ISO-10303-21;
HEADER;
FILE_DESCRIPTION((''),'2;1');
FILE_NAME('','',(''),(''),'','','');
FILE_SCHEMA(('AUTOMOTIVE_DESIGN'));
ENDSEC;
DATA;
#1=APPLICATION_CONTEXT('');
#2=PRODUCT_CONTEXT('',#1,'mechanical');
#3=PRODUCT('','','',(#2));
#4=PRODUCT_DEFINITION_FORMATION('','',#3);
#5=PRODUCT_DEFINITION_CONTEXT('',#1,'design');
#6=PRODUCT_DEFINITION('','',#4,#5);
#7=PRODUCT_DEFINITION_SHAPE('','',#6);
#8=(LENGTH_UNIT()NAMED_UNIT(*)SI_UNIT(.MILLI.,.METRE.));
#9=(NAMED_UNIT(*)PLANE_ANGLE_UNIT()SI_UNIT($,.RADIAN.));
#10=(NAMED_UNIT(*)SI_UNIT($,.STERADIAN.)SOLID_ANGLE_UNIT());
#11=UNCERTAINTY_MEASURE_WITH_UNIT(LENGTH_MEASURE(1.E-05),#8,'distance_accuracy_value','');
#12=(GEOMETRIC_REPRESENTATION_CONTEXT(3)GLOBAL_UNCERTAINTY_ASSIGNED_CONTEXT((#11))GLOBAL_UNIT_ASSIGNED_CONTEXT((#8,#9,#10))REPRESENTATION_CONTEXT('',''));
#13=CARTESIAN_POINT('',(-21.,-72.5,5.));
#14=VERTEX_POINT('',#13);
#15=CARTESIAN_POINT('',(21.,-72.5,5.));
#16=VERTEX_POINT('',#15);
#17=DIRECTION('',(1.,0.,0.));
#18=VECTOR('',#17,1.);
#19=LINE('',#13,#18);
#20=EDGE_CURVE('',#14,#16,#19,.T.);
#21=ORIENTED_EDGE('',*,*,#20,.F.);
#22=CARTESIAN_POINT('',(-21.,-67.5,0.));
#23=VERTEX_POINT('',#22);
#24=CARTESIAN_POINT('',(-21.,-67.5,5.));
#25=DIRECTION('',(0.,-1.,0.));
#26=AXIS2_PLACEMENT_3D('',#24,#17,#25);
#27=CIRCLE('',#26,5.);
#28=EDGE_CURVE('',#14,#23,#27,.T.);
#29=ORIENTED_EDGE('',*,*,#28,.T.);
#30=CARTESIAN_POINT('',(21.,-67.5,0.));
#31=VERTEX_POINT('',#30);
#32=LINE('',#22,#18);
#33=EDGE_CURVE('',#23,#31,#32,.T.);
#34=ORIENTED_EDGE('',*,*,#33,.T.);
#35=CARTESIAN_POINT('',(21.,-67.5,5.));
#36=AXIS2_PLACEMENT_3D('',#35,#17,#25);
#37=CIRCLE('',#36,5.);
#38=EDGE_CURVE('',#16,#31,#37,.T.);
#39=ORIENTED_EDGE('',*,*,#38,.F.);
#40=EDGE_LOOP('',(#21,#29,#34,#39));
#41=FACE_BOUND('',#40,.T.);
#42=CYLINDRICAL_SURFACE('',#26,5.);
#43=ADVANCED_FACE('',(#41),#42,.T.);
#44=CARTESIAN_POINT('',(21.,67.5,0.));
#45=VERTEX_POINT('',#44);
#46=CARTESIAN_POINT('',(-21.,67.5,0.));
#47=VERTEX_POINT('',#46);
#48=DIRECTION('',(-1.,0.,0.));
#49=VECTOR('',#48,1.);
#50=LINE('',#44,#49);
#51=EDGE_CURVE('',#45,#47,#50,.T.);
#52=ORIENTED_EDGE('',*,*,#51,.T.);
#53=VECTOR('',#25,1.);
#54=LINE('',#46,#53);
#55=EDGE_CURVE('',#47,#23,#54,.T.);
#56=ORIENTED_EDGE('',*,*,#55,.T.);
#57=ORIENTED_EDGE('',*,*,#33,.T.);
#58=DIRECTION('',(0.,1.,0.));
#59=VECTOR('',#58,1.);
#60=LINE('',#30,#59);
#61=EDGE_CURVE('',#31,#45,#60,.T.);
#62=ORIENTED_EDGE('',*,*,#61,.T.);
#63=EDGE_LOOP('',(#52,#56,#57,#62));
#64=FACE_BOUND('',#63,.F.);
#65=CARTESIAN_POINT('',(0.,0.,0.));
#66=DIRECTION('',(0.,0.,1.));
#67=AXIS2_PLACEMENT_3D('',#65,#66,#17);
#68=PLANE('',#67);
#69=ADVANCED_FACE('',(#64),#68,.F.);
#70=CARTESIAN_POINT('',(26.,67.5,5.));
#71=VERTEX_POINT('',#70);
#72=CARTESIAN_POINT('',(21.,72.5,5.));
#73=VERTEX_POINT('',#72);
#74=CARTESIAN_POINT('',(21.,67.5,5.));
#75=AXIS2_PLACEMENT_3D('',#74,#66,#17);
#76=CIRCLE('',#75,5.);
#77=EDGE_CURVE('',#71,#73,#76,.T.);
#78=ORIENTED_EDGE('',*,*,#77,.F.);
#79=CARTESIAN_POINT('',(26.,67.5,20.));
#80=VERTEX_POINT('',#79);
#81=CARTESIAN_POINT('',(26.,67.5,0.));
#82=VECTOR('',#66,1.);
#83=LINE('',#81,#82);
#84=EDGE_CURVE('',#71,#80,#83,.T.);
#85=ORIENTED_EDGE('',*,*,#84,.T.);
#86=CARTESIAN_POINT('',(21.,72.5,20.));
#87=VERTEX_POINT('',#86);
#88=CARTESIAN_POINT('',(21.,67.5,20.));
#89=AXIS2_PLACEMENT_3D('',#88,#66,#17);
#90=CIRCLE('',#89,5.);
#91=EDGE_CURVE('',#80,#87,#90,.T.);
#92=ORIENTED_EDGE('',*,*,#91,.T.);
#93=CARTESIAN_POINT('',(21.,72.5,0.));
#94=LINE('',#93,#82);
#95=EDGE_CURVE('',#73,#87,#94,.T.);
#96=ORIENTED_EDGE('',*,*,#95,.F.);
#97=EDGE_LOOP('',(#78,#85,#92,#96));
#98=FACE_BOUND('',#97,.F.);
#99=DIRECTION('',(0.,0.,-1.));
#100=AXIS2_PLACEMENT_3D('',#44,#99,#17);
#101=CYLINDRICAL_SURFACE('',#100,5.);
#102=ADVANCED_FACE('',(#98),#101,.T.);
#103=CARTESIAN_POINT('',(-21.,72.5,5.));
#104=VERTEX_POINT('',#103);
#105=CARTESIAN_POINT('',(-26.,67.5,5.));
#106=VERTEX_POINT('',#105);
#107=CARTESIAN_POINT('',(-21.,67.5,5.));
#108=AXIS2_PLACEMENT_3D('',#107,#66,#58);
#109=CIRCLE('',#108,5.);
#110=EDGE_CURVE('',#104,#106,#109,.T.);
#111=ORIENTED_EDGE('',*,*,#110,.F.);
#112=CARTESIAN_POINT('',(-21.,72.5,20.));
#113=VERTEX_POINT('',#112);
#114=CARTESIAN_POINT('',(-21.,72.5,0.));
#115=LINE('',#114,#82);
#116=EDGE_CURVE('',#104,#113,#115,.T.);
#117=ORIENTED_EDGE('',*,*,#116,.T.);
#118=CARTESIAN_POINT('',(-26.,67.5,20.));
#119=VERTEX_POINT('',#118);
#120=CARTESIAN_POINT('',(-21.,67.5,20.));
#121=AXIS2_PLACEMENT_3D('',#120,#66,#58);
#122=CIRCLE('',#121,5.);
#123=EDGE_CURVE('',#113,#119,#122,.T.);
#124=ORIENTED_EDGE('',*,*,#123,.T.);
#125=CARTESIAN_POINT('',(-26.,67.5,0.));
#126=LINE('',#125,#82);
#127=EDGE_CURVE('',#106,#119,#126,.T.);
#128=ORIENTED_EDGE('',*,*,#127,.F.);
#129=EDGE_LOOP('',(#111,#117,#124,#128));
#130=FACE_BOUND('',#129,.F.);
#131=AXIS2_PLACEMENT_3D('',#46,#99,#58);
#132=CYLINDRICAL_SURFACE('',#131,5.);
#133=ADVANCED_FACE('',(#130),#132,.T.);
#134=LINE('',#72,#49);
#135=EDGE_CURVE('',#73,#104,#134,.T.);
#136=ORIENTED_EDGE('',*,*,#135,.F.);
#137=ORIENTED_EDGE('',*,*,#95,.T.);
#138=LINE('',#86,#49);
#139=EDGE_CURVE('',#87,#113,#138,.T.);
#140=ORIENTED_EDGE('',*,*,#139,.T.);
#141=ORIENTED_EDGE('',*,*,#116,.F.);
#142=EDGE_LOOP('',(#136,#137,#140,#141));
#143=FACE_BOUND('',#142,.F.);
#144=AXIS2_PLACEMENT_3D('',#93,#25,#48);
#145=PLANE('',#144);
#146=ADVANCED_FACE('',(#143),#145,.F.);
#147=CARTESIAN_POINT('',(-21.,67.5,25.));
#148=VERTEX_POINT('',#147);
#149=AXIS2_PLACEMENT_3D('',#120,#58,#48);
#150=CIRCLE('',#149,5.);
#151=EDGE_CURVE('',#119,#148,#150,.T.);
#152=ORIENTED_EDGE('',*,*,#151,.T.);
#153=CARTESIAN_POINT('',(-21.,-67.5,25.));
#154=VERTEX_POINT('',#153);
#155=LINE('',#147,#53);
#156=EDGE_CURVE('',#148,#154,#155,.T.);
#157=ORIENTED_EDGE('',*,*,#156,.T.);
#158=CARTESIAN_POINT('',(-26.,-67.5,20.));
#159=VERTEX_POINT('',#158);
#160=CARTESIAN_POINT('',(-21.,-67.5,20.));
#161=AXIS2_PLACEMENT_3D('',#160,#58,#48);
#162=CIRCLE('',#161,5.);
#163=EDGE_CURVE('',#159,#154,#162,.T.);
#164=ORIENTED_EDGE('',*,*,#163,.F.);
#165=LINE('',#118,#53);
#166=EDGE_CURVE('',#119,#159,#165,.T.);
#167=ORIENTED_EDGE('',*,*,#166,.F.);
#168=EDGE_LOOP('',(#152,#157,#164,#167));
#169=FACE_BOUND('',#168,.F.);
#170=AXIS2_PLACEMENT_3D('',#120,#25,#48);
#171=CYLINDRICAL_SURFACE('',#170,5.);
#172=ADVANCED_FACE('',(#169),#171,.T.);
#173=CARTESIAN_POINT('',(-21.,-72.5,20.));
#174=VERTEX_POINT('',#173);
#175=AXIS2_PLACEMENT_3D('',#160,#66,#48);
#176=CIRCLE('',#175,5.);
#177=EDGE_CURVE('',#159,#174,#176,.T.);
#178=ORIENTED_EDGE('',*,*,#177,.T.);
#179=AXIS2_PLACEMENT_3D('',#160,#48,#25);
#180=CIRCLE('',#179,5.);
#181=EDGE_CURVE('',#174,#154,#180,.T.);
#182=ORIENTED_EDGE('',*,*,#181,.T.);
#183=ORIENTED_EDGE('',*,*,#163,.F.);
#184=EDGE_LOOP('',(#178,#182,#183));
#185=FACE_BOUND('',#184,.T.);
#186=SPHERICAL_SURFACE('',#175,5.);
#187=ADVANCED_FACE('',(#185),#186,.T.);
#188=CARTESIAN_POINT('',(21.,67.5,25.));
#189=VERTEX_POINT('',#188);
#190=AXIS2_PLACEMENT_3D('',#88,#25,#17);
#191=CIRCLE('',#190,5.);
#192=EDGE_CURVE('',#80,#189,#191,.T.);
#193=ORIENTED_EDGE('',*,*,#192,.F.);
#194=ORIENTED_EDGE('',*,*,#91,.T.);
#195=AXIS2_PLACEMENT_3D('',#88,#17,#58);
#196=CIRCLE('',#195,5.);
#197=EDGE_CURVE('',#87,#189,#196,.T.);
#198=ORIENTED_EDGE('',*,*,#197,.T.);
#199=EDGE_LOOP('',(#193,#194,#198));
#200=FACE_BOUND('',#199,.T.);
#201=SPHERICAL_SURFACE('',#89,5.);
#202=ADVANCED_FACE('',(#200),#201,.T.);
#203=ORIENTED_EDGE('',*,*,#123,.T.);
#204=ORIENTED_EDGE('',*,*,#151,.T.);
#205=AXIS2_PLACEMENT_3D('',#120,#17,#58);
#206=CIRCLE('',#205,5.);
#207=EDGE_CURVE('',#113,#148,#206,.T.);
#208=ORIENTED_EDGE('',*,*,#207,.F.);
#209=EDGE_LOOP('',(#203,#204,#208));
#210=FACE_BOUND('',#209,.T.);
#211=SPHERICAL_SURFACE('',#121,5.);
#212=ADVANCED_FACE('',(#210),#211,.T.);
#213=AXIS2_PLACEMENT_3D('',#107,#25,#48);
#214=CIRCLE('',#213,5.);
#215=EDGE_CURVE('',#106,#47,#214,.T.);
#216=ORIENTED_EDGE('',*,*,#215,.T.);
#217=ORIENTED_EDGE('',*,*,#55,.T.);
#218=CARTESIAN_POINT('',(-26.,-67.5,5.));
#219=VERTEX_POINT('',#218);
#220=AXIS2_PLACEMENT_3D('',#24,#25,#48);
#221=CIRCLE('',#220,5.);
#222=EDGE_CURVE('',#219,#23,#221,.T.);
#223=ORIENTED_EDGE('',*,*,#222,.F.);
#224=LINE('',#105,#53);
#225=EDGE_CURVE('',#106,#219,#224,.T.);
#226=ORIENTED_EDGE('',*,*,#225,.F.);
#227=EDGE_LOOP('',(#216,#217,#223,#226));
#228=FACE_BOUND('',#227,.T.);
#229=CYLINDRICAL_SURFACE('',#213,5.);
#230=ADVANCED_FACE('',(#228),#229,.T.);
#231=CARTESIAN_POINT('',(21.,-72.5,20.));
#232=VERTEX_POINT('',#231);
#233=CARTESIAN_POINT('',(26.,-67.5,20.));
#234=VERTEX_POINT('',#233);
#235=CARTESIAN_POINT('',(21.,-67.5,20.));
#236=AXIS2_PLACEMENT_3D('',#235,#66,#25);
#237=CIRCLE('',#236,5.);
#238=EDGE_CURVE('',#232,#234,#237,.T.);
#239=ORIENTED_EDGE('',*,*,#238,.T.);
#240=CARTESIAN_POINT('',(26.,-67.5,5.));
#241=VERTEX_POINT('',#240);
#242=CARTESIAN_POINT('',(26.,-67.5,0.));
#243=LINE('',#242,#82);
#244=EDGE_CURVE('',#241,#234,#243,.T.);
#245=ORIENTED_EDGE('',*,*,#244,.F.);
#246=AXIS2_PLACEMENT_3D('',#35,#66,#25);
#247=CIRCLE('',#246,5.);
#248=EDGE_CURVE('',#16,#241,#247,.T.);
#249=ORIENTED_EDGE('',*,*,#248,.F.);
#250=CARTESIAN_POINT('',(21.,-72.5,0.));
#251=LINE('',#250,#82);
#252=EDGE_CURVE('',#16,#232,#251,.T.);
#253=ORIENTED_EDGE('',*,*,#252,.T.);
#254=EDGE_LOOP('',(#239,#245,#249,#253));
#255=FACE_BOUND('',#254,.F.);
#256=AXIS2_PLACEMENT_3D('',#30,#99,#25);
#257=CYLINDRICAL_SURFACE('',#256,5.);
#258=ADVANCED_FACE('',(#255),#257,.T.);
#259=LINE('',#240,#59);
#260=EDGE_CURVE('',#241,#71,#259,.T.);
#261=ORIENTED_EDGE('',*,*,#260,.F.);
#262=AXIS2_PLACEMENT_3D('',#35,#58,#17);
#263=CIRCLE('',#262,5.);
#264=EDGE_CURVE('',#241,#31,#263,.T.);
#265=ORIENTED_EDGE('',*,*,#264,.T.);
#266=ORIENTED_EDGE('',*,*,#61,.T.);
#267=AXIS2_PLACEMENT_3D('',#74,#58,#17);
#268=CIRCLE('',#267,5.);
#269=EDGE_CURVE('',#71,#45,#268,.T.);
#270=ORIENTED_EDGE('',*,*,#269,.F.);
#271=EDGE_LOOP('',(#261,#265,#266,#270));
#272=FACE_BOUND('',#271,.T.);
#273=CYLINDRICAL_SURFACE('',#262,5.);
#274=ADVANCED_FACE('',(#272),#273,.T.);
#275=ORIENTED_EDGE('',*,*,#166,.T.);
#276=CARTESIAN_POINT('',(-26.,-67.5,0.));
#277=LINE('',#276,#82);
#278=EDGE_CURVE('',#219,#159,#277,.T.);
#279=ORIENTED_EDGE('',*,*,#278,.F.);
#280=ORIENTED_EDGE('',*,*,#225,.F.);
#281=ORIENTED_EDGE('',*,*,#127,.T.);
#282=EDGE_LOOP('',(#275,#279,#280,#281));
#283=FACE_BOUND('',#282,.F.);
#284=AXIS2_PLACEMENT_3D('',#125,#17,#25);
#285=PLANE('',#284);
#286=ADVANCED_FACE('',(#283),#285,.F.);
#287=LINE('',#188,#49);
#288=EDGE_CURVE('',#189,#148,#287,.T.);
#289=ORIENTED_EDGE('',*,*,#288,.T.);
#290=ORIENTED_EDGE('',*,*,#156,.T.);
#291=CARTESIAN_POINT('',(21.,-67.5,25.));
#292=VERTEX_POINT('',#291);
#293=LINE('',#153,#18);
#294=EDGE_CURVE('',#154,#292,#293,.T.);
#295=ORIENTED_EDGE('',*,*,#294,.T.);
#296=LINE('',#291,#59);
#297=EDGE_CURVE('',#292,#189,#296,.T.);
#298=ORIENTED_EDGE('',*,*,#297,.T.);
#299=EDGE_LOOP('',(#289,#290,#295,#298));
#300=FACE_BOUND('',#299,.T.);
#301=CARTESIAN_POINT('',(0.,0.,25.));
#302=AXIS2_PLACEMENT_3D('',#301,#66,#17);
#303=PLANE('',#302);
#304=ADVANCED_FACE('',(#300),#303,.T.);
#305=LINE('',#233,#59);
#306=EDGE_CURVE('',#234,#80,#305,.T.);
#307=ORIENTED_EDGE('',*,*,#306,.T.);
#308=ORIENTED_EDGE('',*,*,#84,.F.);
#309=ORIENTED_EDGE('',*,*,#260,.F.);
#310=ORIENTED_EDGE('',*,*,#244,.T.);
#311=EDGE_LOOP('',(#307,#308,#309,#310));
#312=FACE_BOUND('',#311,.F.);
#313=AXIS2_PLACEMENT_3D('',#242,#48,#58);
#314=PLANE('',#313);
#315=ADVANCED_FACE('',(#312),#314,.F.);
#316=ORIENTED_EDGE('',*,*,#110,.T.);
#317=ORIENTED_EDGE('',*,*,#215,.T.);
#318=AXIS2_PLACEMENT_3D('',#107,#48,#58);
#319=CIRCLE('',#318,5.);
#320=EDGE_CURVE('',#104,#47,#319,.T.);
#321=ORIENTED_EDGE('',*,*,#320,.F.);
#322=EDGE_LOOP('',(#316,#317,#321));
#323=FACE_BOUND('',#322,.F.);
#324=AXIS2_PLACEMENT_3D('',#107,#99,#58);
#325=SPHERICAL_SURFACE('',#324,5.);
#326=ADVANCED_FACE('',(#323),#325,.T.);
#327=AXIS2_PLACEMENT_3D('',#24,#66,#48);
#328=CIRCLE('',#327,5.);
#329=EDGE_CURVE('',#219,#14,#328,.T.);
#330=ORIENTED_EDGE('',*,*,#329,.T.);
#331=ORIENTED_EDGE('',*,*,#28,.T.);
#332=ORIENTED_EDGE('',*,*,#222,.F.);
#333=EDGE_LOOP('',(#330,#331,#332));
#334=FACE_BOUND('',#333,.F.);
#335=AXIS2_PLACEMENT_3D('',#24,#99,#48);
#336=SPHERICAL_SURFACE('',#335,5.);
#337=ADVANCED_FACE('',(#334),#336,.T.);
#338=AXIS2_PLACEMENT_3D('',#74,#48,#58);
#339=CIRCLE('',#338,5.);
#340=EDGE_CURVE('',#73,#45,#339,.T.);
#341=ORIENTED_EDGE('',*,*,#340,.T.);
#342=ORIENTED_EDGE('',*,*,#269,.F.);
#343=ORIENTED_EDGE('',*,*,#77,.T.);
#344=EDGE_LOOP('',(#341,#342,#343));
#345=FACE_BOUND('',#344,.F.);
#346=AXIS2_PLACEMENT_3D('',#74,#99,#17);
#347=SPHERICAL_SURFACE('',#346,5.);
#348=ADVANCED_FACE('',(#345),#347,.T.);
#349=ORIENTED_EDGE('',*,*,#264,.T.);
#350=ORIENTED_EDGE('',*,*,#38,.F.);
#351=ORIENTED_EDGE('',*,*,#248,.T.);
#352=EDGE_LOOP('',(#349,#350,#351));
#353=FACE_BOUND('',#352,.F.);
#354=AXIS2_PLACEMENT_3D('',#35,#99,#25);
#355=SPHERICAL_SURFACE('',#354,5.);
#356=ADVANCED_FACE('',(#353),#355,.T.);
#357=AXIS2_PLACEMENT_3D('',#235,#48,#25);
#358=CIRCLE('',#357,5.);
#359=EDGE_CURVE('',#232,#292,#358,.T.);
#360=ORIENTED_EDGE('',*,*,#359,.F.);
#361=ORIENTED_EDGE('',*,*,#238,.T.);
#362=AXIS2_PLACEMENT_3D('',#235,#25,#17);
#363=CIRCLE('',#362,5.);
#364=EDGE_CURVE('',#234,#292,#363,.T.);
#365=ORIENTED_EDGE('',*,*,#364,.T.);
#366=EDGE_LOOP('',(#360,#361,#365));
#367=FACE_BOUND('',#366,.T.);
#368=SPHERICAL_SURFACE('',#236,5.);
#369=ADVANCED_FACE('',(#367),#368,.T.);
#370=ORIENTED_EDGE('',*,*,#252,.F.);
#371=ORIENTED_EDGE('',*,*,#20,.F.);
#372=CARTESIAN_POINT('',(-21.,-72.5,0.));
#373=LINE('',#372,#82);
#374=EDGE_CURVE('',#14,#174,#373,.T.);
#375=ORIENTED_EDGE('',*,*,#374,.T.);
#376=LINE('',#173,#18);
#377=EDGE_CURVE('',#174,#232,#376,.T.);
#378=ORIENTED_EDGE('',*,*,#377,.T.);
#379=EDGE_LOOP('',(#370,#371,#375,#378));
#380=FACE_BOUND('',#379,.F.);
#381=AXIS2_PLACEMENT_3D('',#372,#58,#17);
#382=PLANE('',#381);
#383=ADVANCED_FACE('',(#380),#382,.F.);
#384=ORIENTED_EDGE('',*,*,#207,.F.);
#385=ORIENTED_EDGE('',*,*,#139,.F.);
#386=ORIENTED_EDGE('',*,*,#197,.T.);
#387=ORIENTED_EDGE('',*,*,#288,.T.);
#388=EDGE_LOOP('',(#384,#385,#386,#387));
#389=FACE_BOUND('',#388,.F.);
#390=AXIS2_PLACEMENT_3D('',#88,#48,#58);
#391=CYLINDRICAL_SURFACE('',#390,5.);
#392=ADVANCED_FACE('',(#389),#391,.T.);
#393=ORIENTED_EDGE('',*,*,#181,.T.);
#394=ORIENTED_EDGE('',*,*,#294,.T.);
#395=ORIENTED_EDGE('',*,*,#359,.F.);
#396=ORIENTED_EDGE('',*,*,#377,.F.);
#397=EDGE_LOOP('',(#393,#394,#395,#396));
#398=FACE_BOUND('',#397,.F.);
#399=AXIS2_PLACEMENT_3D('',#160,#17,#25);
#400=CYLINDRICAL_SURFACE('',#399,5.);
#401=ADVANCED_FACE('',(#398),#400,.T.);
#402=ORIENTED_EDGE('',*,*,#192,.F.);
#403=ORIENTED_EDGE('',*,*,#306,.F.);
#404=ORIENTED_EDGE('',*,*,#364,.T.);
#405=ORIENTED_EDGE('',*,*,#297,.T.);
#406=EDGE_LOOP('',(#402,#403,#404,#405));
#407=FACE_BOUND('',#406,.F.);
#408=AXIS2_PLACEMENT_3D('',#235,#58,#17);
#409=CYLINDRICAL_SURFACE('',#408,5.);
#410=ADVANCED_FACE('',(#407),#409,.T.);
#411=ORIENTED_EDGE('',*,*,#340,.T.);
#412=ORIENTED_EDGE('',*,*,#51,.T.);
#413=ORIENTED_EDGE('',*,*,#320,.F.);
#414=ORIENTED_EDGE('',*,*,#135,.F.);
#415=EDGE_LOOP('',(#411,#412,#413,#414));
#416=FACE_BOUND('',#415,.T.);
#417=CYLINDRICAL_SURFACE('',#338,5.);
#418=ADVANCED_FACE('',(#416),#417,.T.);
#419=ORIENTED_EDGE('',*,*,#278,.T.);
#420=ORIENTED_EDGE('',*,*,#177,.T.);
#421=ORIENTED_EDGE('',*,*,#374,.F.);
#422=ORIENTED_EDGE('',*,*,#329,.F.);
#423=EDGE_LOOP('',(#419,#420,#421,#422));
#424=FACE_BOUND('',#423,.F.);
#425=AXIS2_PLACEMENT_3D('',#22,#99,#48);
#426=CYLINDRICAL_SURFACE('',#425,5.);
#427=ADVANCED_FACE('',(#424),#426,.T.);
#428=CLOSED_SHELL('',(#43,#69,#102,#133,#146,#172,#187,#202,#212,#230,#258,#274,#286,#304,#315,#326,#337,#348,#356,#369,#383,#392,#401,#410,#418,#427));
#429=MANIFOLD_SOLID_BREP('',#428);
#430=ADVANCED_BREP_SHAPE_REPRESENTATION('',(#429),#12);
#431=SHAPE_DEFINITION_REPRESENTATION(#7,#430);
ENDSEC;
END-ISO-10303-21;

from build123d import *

# Parameters (mm, degrees)
F1_DEPTH = 25
F2_R     = 5


with BuildPart() as f1:
    # F0 (on Top) → F1 (new body)
    with BuildSketch(Plane.XY):
        with BuildLine():
            ThreePointArc((26, 67.5), (24.5355339059, 71.0355339059), (21, 72.5))
            Line((21, 72.5), (-21, 72.5))
            ThreePointArc((-21, 72.5), (-24.5355339059, 71.0355339059), (-26, 67.5))
            Line((-26, 67.5), (-26, -67.5))
            ThreePointArc((-26, -67.5), (-24.5355339059, -71.0355339059), (-21, -72.5))
            Line((-21, -72.5), (21, -72.5))
            ThreePointArc((21, -72.5), (24.5355339059, -71.0355339059), (26, -67.5))
            Line((26, -67.5), (26, 67.5))
        make_face()
    extrude(amount=F1_DEPTH)

    # F2
    f2_edges = [f1.edges().sort_by_distance(p)[0] for p in [
        (24.535534, 71.035534, 25),
        (0, 72.5, 25),
        (-24.535534, 71.035534, 25),
        (-26, 0, 25),
        (-24.535534, -71.035534, 25),
        (0, -72.5, 25),
        (24.535534, -71.035534, 25),
        (26, 0, 25),
        (24.535534, 71.035534, 0),
        (0, 72.5, 0),
        (-24.535534, 71.035534, 0),
        (-26, 0, 0),
        (-24.535534, -71.035534, 0),
        (0, -72.5, 0),
        (24.535534, -71.035534, 0),
        (26, 0, 0),
    ]]
    fillet(f2_edges, radius=F2_R)


solid = f1.part
